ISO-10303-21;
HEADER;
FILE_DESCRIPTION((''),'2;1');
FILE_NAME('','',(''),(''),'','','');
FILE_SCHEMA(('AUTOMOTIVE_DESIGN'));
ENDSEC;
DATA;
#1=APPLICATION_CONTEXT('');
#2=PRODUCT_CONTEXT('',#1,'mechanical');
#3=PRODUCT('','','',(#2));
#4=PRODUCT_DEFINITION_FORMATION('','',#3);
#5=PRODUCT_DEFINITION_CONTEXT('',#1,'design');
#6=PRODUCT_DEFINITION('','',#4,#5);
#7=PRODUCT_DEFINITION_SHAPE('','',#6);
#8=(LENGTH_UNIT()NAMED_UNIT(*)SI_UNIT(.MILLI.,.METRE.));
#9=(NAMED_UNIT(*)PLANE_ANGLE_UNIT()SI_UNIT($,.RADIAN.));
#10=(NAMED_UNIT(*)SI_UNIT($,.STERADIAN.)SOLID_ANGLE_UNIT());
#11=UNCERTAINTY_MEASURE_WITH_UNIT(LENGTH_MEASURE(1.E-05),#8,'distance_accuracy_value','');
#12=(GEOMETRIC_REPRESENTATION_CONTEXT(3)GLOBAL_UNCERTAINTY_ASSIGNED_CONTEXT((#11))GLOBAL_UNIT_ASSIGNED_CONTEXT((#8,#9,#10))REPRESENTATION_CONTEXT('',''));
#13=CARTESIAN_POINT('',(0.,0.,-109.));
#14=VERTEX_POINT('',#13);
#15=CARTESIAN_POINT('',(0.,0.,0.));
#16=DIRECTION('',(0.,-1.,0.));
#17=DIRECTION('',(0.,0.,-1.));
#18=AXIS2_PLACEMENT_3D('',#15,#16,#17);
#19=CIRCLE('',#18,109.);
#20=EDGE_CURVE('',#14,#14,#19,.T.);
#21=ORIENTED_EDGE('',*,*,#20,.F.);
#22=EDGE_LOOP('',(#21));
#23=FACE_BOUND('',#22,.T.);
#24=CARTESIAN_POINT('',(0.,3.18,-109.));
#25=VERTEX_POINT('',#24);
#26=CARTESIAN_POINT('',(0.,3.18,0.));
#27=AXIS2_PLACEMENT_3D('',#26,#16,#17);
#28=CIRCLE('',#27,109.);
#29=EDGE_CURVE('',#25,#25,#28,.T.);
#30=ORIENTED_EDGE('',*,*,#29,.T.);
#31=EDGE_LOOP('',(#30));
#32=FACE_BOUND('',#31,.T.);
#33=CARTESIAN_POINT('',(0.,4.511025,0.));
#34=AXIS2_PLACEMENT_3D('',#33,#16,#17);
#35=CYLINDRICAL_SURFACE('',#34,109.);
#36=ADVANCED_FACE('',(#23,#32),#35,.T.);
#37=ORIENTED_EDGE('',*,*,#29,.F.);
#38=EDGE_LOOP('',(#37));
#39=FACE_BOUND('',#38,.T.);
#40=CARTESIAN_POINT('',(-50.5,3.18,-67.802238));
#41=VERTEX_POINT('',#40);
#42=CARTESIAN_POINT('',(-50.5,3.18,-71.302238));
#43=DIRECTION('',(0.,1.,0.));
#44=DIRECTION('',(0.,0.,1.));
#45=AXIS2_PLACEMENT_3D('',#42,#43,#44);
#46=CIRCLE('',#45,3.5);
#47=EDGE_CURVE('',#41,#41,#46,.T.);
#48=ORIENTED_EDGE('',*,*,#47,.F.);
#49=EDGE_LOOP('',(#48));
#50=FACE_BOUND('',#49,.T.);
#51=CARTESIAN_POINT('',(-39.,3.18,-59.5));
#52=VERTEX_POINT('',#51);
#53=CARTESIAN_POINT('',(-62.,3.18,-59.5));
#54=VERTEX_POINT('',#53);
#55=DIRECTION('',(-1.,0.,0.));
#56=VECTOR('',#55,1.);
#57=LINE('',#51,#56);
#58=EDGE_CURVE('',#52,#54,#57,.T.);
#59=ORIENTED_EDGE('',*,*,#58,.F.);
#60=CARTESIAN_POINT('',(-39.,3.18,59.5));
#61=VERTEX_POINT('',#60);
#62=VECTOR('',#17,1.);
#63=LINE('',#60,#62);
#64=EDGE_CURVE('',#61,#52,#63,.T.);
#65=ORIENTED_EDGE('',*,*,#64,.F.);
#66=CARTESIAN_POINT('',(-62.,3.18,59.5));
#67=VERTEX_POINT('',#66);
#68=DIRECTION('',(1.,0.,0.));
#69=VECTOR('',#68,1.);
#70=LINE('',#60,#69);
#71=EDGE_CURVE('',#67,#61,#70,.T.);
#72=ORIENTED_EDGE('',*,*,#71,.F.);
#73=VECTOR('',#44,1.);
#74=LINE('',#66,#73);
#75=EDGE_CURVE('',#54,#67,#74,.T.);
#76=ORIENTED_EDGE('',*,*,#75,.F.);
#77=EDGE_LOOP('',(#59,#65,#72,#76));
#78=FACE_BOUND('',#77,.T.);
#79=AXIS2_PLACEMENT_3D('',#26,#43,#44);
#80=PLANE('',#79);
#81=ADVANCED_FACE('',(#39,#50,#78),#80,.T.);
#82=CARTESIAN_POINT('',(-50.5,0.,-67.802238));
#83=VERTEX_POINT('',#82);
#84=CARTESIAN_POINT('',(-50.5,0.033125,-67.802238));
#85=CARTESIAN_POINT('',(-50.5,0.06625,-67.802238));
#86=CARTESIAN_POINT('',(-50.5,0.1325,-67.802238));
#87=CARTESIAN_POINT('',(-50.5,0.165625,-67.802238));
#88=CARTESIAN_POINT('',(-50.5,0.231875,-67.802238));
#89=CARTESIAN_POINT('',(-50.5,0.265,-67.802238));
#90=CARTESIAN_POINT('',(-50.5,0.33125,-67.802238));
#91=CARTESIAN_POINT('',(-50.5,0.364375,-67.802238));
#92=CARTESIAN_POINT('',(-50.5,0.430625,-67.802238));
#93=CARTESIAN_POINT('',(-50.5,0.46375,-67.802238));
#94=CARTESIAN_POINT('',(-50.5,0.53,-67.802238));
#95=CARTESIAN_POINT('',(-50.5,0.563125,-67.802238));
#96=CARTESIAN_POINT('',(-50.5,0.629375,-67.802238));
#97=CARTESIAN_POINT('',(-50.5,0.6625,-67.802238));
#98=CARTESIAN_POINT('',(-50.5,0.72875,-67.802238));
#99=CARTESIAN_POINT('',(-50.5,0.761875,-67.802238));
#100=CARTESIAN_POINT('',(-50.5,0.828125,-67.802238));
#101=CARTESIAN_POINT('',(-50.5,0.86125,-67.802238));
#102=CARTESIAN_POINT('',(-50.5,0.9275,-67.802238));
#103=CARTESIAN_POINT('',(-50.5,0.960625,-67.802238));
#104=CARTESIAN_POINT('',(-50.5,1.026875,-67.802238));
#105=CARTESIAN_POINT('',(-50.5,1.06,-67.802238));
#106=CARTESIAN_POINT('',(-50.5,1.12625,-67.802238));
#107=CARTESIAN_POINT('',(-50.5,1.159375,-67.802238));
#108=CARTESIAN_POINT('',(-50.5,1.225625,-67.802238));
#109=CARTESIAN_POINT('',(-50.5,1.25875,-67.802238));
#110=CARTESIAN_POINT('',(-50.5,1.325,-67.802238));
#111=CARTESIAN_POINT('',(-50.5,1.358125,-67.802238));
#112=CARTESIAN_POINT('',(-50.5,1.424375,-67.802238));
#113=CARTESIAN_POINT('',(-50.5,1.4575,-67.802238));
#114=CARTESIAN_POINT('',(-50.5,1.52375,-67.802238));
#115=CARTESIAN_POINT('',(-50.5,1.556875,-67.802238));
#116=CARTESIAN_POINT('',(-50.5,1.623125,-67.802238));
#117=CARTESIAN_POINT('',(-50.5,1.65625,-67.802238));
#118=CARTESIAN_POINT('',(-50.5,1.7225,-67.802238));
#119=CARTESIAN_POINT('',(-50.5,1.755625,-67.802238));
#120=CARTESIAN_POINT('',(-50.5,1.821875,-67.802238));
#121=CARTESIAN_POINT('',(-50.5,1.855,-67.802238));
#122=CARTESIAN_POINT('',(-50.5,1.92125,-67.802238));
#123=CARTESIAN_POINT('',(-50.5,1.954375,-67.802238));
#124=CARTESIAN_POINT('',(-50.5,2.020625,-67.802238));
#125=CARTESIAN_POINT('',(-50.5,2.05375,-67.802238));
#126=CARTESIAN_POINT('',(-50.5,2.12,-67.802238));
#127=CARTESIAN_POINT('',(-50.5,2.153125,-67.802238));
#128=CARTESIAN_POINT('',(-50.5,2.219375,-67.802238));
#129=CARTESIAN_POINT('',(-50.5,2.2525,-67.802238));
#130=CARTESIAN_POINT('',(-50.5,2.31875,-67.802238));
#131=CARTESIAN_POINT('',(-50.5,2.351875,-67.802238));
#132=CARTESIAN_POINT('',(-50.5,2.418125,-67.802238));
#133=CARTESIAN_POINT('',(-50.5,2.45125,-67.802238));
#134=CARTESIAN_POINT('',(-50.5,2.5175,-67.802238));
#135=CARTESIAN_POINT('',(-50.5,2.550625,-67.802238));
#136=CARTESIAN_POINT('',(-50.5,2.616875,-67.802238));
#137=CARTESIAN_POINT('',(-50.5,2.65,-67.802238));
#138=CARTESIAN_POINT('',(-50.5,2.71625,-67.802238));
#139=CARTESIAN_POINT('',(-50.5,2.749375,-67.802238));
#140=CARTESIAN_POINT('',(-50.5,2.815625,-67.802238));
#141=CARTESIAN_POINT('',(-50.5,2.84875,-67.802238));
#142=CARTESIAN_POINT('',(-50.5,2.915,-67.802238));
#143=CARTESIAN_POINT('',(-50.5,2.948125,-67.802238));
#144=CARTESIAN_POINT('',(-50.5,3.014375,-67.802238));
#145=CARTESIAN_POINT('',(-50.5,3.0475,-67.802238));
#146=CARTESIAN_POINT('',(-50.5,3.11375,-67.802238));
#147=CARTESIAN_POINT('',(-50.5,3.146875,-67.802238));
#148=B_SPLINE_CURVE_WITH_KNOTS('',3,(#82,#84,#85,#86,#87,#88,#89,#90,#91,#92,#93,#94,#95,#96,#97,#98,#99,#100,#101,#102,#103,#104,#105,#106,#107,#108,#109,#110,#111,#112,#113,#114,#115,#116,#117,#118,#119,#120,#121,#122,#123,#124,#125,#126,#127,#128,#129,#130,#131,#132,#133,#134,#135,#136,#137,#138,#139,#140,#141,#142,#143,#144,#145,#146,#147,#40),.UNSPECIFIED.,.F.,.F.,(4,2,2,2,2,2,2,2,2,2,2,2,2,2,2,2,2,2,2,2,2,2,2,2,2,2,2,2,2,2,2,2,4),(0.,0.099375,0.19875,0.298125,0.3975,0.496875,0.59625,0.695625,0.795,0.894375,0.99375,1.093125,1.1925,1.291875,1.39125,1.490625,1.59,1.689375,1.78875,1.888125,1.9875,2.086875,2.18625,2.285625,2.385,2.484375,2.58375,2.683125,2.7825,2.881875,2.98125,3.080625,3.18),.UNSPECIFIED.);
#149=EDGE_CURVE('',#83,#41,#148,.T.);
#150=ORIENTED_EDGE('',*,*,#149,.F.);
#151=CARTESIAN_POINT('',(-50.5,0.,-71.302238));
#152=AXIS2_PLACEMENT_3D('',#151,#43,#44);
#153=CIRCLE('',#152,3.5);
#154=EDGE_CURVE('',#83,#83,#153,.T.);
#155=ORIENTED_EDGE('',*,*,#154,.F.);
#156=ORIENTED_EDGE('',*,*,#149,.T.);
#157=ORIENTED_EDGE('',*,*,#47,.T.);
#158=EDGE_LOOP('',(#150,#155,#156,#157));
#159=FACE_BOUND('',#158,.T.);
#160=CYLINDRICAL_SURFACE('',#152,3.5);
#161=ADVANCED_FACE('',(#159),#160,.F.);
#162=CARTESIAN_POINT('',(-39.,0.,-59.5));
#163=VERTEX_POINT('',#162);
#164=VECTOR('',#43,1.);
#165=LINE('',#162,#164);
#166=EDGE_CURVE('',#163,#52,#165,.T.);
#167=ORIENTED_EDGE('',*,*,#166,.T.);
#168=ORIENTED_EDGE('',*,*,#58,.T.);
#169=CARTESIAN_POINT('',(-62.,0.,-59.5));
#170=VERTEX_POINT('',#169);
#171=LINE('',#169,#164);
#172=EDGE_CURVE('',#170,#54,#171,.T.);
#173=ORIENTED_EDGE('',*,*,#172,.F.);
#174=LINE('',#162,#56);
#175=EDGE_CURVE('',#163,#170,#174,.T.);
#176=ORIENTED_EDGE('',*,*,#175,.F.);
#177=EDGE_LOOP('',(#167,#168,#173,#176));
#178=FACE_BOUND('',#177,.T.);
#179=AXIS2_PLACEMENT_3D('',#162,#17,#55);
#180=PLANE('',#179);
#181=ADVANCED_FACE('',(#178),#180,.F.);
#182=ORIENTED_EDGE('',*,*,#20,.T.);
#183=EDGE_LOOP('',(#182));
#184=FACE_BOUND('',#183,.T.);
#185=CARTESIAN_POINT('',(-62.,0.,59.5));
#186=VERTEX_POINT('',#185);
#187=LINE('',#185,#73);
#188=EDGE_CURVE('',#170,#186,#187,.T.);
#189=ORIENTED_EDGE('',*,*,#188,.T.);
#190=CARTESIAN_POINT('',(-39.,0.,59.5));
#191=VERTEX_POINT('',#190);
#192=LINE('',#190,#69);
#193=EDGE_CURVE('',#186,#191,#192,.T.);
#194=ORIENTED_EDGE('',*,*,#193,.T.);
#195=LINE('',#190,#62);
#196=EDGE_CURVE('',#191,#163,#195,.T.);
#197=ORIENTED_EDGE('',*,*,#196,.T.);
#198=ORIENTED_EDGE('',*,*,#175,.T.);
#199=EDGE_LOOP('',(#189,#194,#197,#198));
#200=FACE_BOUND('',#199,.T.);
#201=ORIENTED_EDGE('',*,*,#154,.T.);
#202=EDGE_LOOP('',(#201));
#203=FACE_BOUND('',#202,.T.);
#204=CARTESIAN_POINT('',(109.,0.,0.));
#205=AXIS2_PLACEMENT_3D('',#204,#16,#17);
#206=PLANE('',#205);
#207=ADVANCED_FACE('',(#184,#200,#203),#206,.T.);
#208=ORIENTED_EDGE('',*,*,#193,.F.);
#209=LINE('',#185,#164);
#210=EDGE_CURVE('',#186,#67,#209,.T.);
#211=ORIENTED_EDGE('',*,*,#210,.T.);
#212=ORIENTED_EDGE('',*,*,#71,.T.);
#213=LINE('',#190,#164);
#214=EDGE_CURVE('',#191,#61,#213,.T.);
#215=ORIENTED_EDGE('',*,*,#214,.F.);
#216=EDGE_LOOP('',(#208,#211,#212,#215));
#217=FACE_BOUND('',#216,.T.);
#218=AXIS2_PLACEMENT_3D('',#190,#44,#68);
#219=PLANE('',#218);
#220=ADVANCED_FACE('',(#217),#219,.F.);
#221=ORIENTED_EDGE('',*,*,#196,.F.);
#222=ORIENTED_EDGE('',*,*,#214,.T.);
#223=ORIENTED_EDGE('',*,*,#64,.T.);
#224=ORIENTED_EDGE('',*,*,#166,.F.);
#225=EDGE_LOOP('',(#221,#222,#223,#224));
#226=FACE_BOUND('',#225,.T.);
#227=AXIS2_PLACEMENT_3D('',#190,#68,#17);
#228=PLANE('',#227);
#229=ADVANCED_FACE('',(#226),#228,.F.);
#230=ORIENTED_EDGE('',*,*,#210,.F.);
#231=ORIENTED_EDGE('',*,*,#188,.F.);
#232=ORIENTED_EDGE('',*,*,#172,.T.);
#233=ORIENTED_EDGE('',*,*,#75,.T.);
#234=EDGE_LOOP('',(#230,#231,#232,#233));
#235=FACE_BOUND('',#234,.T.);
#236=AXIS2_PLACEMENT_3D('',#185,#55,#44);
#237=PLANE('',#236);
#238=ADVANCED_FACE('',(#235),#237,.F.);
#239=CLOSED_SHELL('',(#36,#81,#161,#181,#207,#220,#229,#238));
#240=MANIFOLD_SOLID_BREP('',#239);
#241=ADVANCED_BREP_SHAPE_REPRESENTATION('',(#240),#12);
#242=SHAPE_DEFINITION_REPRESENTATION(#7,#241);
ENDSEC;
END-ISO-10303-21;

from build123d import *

# Parameters (mm, degrees)
SKETCH1_W          = 109
SKETCH1_H          = 3.18
SKETCH2_R          = 3.5
SKETCH2_W          = 23
SKETCH2_H          = 119
CUT_EXTRUDE1_DEPTH = 155.182075482


with BuildPart() as part:
    # Sketch1 → Revolve1 (revolve)
    with BuildSketch(Plane.XY, mode=Mode.PRIVATE) as revolve1_sk:
        with Locations((54.5, 1.59)):
            Rectangle(SKETCH1_W, SKETCH1_H)
    revolve(revolve1_sk.sketch.rotate(Axis((0, 4.511025306, 0), (0, 1, 0)), 90), axis=Axis((0, 4.511025306, 0), (0, 1, 0)))

    # Sketch2 → Cut-Extrude1 (cut, through all)
    with BuildSketch(Plane(origin=(0, 3.18, 0), x_dir=(1, 0, 0), z_dir=(0, 1, 0))):
        with Locations(Location((-50.5, 71.302237886, 0), (0, 0, 270))):
            Circle(SKETCH2_R)
        with Locations((-50.5, 0)):
            Rectangle(SKETCH2_W, SKETCH2_H)
    extrude(amount=-CUT_EXTRUDE1_DEPTH, mode=Mode.SUBTRACT)


solid = part.part
